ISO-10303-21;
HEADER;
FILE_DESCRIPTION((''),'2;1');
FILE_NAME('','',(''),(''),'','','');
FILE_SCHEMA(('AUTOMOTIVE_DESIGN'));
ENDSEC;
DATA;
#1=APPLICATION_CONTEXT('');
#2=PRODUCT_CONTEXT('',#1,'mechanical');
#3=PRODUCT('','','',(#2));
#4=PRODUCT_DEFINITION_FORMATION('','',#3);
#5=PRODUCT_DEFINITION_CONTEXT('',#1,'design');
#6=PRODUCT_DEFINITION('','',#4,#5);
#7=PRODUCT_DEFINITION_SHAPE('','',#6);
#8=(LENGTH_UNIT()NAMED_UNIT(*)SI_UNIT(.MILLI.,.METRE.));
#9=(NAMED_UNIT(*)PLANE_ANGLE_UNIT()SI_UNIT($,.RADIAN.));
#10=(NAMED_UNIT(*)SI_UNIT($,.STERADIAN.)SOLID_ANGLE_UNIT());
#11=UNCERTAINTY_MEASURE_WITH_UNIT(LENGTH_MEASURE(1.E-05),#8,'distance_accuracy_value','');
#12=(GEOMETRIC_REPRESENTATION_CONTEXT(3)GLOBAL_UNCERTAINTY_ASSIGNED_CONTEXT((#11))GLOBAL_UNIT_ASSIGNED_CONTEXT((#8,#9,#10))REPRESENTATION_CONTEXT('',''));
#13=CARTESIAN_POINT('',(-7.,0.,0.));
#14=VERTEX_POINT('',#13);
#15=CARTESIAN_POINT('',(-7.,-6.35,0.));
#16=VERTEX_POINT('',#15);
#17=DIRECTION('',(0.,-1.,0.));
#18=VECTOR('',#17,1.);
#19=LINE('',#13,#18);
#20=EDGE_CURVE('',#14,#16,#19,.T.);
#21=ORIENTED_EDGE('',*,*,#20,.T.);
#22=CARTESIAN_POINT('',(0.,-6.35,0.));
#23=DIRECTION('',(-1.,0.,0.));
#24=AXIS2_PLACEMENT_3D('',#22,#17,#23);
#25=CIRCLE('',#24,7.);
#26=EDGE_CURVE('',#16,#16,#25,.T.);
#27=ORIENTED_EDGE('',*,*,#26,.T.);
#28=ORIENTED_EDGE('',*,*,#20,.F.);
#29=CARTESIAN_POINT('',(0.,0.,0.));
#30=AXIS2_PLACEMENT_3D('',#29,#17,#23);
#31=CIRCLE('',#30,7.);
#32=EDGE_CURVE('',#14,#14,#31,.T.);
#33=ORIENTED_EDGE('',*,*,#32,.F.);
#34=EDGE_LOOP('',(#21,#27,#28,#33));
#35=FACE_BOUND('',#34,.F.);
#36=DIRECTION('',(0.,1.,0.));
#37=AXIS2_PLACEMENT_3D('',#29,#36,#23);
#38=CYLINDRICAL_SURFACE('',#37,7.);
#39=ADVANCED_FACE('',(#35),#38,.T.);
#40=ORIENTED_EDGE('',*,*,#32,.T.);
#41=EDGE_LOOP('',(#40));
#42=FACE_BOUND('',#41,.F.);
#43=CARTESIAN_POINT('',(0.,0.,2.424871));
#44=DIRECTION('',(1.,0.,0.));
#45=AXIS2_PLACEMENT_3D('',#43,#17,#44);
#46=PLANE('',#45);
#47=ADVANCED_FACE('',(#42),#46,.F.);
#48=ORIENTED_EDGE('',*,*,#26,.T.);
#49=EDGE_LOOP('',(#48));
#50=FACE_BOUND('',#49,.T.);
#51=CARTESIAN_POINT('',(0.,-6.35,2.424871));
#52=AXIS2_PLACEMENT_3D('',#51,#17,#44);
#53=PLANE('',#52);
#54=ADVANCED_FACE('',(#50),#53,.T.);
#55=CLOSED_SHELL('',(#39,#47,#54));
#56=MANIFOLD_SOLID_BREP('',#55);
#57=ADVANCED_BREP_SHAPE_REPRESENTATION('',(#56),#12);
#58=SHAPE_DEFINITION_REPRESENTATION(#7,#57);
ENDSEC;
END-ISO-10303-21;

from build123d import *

# Parameters (mm, degrees)
F1_DEPTH = 6.35


with BuildPart() as f1:
    # F0 (on Front) → F1 (new body)
    with BuildSketch(Plane.XZ):
        with BuildLine():
            Line((-7, 0), (7, 0))
            ThreePointArc((7, 0), (0, 7), (-7, 0))
        make_face()
        with BuildLine():
            ThreePointArc((-7, 0), (0, -7), (7, 0))
            Line((7, 0), (-7, 0))
        make_face()
    extrude(amount=F1_DEPTH)


solid = f1.part
